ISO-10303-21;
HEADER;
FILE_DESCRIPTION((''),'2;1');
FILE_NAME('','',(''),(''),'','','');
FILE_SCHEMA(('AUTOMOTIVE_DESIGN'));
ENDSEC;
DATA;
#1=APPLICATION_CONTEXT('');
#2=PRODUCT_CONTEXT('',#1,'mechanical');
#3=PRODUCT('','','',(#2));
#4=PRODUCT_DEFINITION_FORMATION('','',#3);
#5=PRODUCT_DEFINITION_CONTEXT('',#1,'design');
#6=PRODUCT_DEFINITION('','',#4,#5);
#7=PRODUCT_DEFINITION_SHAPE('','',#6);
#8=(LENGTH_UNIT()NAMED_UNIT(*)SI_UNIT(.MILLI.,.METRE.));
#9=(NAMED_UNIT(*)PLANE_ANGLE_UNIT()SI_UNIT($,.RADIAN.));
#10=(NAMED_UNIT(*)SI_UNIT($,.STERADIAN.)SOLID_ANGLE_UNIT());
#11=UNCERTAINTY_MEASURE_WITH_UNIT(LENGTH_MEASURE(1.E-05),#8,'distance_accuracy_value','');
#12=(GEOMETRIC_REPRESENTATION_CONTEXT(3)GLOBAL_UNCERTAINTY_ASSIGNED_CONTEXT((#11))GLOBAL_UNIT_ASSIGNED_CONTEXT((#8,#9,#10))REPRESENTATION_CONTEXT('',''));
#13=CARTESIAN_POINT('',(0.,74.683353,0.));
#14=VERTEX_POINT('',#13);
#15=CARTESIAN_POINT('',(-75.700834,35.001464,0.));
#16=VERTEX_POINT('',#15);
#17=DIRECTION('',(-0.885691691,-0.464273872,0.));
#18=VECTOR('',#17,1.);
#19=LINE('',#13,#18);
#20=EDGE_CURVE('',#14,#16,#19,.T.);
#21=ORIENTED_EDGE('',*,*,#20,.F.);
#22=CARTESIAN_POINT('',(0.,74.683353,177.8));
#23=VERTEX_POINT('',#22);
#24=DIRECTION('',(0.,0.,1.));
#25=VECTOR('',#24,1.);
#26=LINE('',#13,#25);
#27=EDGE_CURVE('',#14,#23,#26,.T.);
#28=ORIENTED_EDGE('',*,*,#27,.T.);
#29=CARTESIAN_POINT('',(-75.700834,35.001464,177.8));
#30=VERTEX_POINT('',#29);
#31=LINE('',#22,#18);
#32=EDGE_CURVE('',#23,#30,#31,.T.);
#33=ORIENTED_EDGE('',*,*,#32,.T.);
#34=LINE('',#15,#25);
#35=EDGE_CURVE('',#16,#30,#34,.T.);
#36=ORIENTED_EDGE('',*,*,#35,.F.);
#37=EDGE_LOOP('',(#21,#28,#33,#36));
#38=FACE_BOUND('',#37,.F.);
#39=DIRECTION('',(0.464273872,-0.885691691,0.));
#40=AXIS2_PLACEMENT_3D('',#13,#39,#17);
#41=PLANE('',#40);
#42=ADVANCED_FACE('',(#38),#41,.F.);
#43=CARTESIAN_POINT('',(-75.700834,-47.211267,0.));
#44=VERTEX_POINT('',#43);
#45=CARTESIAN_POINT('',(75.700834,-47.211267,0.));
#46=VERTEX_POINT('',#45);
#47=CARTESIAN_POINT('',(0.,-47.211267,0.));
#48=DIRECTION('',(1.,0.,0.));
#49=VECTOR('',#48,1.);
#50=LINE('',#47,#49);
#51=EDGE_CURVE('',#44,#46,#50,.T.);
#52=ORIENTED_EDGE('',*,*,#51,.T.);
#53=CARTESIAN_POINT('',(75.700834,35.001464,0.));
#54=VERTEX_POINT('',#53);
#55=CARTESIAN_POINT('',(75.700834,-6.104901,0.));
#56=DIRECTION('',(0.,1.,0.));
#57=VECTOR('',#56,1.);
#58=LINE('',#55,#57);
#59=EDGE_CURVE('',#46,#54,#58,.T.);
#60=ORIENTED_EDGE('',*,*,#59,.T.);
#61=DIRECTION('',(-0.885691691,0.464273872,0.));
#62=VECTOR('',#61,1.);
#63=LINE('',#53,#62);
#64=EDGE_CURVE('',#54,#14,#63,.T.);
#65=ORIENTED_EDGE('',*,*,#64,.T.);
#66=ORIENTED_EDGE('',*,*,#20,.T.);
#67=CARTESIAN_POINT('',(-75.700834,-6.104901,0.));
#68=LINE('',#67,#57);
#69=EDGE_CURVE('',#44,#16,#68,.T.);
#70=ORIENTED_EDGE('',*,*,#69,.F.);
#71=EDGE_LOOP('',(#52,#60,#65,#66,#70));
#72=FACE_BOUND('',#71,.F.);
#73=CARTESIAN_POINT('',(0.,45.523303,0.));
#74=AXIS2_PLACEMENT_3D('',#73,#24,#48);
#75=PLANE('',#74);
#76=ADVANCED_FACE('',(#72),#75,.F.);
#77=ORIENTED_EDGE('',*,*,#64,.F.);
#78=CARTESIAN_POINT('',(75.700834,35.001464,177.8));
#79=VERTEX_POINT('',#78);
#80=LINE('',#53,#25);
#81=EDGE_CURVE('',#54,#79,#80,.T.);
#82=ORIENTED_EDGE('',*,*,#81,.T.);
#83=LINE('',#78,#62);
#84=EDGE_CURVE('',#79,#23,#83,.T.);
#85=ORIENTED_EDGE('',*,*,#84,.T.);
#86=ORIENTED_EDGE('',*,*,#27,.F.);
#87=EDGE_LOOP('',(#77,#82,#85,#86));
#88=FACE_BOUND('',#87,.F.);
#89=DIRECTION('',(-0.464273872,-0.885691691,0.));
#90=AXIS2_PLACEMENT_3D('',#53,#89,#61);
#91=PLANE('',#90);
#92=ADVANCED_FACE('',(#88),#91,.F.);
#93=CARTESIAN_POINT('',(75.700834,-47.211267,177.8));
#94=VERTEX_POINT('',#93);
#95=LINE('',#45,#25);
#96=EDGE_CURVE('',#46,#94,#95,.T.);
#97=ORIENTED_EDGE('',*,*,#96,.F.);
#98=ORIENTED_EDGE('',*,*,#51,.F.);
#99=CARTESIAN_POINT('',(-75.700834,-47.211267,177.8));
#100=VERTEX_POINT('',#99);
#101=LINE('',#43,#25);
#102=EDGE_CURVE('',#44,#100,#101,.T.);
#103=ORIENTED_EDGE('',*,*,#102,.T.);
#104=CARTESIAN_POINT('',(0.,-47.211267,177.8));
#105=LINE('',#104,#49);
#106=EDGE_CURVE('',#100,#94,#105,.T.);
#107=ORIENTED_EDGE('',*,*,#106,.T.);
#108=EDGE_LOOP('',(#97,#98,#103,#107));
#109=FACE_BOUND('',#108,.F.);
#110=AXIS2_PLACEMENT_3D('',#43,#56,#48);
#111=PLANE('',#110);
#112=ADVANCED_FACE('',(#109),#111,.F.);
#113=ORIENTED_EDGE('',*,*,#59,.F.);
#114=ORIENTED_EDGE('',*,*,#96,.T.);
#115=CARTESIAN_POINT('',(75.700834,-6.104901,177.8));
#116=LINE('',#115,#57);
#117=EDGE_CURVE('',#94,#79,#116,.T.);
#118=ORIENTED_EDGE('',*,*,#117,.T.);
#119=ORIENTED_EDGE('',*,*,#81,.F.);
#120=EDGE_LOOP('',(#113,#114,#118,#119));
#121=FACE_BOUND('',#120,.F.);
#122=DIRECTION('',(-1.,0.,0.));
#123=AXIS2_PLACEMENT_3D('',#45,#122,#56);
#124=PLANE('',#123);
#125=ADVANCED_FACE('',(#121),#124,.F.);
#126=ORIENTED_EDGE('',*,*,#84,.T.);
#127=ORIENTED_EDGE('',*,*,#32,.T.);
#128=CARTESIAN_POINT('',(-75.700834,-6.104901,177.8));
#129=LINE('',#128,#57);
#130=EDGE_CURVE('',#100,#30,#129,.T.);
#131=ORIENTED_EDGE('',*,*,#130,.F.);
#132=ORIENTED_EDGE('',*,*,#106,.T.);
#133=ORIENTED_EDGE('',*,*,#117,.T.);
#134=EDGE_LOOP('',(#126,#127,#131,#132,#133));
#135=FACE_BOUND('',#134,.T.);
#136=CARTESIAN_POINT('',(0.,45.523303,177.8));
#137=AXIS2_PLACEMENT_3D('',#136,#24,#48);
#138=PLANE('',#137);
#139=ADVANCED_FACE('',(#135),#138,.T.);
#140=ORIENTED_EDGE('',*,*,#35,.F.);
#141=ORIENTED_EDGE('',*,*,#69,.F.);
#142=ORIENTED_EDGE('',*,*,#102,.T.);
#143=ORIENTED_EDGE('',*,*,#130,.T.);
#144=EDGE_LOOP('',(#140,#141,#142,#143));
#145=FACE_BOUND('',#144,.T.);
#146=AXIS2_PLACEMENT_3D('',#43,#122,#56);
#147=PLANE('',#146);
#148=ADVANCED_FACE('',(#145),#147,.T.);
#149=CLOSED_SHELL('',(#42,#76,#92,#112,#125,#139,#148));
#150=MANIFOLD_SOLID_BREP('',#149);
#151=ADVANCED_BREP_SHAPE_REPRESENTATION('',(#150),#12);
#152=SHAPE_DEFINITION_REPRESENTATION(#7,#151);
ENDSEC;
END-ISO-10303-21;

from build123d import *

# Parameters (mm, degrees)
F0_W     = 151.401668787
F0_H     = 82.2127312422
F1_DEPTH = 177.8


with BuildPart() as f1:
    # F0 (on Top) → F1 (new body)
    with BuildSketch(Plane.XY):
        Polygon((0, 74.6833533049), (-75.7008343935, 35.0014641881), (75.7008343935, 35.0014641881), align=None)
        with Locations((0, -6.104901433)):
            Rectangle(F0_W, F0_H)
    extrude(amount=F1_DEPTH)


solid = f1.part
